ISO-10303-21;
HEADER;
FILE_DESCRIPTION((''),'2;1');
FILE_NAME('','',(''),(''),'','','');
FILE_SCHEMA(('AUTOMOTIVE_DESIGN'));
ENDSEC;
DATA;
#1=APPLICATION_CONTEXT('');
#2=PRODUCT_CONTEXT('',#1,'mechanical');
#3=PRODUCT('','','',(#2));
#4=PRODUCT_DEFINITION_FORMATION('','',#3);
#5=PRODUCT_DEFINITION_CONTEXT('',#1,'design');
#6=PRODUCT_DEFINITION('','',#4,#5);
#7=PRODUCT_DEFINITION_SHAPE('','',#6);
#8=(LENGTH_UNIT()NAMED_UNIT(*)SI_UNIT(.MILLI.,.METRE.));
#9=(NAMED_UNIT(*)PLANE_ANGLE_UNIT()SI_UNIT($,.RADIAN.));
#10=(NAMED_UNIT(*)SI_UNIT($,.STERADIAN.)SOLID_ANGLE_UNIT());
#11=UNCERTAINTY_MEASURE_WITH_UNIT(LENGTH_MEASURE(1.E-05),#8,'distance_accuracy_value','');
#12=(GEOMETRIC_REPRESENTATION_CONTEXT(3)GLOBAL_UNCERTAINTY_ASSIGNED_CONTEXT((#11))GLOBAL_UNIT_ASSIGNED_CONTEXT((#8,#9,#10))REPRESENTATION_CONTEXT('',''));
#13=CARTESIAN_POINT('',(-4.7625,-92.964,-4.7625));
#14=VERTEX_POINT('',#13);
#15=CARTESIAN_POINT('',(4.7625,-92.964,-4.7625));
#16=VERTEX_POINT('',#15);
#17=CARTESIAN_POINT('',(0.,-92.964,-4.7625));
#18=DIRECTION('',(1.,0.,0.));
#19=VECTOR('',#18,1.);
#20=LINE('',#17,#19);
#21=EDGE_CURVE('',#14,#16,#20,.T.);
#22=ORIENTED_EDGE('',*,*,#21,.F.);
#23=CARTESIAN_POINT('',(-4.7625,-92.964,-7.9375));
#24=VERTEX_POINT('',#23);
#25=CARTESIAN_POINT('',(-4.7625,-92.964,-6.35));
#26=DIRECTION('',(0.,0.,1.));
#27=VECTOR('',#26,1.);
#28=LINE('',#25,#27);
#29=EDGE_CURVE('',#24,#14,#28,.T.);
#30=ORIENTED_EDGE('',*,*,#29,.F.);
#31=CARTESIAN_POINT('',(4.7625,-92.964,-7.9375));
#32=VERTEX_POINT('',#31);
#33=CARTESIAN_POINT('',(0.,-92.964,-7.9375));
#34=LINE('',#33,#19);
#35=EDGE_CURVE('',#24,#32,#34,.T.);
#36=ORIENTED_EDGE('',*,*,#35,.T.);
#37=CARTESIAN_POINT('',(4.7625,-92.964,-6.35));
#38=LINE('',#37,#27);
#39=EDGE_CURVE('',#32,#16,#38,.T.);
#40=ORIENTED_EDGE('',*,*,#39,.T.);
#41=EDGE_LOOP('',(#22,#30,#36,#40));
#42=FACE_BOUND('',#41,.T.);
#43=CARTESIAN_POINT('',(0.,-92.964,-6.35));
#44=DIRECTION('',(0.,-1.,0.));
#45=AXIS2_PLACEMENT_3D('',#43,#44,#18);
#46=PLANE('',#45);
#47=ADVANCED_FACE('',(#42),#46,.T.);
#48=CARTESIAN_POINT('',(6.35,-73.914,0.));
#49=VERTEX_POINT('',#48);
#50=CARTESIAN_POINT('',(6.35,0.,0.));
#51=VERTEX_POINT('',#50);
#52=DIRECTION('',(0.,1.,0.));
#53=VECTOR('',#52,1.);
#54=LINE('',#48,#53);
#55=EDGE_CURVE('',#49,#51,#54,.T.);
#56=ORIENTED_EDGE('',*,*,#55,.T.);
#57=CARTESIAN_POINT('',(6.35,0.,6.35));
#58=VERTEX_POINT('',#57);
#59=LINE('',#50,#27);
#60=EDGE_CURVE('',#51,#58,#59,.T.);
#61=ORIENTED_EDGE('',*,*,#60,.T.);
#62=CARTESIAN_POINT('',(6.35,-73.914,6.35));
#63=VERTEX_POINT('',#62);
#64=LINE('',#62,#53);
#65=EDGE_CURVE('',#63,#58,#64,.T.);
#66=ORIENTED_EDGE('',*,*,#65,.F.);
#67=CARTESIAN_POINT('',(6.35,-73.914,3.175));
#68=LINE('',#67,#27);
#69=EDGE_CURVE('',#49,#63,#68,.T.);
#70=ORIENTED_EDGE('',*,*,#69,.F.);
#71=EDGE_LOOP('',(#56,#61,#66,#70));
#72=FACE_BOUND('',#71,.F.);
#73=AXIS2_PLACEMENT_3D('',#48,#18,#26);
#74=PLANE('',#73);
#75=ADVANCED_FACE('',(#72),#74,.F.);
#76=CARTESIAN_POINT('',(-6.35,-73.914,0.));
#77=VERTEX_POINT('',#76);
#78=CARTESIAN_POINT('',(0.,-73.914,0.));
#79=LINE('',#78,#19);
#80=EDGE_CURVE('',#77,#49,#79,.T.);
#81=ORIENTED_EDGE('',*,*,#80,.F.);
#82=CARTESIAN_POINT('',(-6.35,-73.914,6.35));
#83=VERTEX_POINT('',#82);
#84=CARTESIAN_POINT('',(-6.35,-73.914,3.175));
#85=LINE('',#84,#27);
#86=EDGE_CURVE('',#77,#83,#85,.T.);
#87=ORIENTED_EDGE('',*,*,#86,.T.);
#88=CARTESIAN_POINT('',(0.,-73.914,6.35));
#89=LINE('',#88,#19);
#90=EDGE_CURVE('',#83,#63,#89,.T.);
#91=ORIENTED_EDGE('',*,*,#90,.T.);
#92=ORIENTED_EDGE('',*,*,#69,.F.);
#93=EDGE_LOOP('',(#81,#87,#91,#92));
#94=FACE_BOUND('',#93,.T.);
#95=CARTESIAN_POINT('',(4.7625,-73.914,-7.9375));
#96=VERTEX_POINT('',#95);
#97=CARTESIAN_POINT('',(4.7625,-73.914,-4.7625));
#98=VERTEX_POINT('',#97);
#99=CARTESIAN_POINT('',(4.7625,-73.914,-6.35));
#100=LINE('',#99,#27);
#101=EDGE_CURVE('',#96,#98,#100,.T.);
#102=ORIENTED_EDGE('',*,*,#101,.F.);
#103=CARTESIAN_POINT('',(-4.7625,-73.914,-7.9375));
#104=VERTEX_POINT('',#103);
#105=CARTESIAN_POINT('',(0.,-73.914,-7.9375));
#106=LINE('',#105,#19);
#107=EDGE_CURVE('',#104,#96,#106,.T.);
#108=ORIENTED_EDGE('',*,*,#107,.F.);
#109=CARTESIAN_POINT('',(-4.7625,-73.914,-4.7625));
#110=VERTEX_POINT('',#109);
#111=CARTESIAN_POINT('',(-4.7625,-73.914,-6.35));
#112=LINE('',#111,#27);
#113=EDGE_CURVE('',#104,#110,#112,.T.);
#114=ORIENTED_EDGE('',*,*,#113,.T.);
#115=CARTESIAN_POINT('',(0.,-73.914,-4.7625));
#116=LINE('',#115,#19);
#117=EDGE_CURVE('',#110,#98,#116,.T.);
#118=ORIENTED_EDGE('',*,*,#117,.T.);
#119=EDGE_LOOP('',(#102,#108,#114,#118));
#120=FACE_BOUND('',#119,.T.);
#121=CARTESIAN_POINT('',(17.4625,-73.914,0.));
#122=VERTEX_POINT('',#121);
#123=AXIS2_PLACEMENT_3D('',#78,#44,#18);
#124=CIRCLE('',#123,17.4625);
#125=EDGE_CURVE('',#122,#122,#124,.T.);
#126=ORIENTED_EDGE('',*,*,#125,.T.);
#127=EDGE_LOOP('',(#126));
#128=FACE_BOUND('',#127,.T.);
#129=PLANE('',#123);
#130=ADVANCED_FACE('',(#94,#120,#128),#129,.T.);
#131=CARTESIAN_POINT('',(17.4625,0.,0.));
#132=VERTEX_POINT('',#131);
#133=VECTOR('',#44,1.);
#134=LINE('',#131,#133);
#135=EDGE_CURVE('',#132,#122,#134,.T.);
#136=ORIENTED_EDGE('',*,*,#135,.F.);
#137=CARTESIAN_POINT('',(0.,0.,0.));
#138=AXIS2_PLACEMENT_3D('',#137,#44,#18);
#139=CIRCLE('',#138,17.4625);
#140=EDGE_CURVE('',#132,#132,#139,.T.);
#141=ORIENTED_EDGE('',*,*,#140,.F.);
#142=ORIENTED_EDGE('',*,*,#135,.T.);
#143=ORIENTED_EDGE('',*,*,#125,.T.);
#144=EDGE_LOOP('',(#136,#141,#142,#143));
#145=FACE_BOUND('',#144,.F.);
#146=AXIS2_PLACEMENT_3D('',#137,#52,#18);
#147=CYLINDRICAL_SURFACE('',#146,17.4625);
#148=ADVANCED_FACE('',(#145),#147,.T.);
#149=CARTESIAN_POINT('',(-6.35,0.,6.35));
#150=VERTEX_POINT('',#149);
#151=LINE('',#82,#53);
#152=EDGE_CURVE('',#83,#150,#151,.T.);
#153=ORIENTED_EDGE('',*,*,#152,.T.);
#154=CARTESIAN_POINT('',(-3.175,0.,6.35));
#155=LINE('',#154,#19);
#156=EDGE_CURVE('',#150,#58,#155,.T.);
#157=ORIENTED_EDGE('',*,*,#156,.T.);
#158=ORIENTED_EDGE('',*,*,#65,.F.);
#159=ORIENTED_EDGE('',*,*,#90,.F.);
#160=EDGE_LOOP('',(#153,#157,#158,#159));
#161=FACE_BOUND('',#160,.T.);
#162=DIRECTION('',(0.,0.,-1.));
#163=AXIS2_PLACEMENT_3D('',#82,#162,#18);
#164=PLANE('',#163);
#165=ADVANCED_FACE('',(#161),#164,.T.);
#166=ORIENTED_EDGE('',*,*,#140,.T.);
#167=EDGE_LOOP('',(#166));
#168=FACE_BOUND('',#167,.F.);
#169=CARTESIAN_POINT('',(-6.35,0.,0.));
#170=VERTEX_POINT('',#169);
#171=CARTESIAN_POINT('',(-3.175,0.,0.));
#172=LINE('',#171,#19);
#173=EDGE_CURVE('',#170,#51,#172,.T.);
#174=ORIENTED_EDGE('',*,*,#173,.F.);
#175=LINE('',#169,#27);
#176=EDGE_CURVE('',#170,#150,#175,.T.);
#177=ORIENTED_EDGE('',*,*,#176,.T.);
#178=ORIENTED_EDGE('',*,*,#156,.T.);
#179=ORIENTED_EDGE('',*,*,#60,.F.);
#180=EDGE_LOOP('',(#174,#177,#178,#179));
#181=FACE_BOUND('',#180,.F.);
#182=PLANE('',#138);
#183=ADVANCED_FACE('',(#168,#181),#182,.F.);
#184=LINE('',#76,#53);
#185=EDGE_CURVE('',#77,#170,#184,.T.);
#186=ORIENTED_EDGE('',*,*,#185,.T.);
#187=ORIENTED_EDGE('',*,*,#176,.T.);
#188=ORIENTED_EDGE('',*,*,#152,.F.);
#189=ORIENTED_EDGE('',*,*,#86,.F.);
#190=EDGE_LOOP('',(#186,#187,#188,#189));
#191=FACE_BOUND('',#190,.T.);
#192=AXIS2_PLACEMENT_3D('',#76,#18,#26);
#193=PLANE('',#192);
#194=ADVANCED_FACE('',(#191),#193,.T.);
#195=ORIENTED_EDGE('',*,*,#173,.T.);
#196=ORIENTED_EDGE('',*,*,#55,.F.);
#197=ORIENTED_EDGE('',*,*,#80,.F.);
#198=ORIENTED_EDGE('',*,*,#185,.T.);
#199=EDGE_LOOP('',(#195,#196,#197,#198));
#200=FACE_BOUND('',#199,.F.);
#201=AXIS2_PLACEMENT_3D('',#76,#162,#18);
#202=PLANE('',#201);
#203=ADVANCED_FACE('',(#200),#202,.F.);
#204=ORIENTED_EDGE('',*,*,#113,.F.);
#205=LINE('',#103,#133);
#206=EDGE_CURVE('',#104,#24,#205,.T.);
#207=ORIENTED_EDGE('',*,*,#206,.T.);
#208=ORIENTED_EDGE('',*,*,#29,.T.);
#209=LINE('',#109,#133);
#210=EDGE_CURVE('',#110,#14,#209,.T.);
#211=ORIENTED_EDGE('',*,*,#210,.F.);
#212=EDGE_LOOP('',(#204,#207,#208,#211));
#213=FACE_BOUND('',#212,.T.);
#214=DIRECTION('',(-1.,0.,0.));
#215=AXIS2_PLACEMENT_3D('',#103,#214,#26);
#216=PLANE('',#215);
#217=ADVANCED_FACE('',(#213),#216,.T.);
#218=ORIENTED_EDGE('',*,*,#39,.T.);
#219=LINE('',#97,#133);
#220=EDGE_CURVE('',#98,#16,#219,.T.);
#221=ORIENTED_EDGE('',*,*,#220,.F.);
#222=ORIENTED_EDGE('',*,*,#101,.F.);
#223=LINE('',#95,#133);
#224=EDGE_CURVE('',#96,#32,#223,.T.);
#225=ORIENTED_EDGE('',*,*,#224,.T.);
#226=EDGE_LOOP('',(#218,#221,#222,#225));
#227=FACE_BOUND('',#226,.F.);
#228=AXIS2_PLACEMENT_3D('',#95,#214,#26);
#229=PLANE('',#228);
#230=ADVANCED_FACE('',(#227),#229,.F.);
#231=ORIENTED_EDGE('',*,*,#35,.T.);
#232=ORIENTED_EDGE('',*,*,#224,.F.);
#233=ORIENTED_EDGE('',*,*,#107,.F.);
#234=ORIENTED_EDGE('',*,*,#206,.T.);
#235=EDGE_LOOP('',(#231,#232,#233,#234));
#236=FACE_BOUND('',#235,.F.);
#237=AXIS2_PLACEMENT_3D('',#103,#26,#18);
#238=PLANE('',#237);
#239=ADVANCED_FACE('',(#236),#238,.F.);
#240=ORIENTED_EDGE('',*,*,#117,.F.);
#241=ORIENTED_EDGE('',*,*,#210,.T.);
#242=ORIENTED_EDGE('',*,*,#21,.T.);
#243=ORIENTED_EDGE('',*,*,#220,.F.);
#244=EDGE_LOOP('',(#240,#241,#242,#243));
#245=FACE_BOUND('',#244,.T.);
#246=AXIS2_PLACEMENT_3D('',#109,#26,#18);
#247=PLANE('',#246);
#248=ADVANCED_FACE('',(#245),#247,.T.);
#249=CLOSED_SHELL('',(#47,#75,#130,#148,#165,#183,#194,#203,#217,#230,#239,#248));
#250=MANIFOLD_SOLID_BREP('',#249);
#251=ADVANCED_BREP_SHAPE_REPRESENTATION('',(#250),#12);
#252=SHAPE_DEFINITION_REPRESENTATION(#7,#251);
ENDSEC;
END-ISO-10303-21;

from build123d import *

# Parameters (mm, degrees)
F0_R     = 17.4625
F1_DEPTH = 73.914
F2_W     = 12.7
F2_H     = 6.35
F3_DEPTH = 178.054
F4_W     = 9.525
F4_H     = 3.175
F5_DEPTH = 19.05


with BuildPart() as f1:
    # F0 (on Front) → F1 (new body)
    with BuildSketch(Plane.XZ):
        Circle(F0_R)
    extrude(amount=F1_DEPTH)

    # F2 (on face) → F3 (cut)
    with BuildSketch(Plane.XZ.offset(73.914)):
        with Locations((0, 3.175)):
            Rectangle(F2_W, F2_H)
    extrude(amount=-F3_DEPTH, mode=Mode.SUBTRACT)

    # F4 (on face) → F5 (join)
    with BuildSketch(Plane.XZ.offset(73.914)):
        with Locations((0, -6.35)):
            Rectangle(F4_W, F4_H)
    extrude(amount=F5_DEPTH)


solid = f1.part
